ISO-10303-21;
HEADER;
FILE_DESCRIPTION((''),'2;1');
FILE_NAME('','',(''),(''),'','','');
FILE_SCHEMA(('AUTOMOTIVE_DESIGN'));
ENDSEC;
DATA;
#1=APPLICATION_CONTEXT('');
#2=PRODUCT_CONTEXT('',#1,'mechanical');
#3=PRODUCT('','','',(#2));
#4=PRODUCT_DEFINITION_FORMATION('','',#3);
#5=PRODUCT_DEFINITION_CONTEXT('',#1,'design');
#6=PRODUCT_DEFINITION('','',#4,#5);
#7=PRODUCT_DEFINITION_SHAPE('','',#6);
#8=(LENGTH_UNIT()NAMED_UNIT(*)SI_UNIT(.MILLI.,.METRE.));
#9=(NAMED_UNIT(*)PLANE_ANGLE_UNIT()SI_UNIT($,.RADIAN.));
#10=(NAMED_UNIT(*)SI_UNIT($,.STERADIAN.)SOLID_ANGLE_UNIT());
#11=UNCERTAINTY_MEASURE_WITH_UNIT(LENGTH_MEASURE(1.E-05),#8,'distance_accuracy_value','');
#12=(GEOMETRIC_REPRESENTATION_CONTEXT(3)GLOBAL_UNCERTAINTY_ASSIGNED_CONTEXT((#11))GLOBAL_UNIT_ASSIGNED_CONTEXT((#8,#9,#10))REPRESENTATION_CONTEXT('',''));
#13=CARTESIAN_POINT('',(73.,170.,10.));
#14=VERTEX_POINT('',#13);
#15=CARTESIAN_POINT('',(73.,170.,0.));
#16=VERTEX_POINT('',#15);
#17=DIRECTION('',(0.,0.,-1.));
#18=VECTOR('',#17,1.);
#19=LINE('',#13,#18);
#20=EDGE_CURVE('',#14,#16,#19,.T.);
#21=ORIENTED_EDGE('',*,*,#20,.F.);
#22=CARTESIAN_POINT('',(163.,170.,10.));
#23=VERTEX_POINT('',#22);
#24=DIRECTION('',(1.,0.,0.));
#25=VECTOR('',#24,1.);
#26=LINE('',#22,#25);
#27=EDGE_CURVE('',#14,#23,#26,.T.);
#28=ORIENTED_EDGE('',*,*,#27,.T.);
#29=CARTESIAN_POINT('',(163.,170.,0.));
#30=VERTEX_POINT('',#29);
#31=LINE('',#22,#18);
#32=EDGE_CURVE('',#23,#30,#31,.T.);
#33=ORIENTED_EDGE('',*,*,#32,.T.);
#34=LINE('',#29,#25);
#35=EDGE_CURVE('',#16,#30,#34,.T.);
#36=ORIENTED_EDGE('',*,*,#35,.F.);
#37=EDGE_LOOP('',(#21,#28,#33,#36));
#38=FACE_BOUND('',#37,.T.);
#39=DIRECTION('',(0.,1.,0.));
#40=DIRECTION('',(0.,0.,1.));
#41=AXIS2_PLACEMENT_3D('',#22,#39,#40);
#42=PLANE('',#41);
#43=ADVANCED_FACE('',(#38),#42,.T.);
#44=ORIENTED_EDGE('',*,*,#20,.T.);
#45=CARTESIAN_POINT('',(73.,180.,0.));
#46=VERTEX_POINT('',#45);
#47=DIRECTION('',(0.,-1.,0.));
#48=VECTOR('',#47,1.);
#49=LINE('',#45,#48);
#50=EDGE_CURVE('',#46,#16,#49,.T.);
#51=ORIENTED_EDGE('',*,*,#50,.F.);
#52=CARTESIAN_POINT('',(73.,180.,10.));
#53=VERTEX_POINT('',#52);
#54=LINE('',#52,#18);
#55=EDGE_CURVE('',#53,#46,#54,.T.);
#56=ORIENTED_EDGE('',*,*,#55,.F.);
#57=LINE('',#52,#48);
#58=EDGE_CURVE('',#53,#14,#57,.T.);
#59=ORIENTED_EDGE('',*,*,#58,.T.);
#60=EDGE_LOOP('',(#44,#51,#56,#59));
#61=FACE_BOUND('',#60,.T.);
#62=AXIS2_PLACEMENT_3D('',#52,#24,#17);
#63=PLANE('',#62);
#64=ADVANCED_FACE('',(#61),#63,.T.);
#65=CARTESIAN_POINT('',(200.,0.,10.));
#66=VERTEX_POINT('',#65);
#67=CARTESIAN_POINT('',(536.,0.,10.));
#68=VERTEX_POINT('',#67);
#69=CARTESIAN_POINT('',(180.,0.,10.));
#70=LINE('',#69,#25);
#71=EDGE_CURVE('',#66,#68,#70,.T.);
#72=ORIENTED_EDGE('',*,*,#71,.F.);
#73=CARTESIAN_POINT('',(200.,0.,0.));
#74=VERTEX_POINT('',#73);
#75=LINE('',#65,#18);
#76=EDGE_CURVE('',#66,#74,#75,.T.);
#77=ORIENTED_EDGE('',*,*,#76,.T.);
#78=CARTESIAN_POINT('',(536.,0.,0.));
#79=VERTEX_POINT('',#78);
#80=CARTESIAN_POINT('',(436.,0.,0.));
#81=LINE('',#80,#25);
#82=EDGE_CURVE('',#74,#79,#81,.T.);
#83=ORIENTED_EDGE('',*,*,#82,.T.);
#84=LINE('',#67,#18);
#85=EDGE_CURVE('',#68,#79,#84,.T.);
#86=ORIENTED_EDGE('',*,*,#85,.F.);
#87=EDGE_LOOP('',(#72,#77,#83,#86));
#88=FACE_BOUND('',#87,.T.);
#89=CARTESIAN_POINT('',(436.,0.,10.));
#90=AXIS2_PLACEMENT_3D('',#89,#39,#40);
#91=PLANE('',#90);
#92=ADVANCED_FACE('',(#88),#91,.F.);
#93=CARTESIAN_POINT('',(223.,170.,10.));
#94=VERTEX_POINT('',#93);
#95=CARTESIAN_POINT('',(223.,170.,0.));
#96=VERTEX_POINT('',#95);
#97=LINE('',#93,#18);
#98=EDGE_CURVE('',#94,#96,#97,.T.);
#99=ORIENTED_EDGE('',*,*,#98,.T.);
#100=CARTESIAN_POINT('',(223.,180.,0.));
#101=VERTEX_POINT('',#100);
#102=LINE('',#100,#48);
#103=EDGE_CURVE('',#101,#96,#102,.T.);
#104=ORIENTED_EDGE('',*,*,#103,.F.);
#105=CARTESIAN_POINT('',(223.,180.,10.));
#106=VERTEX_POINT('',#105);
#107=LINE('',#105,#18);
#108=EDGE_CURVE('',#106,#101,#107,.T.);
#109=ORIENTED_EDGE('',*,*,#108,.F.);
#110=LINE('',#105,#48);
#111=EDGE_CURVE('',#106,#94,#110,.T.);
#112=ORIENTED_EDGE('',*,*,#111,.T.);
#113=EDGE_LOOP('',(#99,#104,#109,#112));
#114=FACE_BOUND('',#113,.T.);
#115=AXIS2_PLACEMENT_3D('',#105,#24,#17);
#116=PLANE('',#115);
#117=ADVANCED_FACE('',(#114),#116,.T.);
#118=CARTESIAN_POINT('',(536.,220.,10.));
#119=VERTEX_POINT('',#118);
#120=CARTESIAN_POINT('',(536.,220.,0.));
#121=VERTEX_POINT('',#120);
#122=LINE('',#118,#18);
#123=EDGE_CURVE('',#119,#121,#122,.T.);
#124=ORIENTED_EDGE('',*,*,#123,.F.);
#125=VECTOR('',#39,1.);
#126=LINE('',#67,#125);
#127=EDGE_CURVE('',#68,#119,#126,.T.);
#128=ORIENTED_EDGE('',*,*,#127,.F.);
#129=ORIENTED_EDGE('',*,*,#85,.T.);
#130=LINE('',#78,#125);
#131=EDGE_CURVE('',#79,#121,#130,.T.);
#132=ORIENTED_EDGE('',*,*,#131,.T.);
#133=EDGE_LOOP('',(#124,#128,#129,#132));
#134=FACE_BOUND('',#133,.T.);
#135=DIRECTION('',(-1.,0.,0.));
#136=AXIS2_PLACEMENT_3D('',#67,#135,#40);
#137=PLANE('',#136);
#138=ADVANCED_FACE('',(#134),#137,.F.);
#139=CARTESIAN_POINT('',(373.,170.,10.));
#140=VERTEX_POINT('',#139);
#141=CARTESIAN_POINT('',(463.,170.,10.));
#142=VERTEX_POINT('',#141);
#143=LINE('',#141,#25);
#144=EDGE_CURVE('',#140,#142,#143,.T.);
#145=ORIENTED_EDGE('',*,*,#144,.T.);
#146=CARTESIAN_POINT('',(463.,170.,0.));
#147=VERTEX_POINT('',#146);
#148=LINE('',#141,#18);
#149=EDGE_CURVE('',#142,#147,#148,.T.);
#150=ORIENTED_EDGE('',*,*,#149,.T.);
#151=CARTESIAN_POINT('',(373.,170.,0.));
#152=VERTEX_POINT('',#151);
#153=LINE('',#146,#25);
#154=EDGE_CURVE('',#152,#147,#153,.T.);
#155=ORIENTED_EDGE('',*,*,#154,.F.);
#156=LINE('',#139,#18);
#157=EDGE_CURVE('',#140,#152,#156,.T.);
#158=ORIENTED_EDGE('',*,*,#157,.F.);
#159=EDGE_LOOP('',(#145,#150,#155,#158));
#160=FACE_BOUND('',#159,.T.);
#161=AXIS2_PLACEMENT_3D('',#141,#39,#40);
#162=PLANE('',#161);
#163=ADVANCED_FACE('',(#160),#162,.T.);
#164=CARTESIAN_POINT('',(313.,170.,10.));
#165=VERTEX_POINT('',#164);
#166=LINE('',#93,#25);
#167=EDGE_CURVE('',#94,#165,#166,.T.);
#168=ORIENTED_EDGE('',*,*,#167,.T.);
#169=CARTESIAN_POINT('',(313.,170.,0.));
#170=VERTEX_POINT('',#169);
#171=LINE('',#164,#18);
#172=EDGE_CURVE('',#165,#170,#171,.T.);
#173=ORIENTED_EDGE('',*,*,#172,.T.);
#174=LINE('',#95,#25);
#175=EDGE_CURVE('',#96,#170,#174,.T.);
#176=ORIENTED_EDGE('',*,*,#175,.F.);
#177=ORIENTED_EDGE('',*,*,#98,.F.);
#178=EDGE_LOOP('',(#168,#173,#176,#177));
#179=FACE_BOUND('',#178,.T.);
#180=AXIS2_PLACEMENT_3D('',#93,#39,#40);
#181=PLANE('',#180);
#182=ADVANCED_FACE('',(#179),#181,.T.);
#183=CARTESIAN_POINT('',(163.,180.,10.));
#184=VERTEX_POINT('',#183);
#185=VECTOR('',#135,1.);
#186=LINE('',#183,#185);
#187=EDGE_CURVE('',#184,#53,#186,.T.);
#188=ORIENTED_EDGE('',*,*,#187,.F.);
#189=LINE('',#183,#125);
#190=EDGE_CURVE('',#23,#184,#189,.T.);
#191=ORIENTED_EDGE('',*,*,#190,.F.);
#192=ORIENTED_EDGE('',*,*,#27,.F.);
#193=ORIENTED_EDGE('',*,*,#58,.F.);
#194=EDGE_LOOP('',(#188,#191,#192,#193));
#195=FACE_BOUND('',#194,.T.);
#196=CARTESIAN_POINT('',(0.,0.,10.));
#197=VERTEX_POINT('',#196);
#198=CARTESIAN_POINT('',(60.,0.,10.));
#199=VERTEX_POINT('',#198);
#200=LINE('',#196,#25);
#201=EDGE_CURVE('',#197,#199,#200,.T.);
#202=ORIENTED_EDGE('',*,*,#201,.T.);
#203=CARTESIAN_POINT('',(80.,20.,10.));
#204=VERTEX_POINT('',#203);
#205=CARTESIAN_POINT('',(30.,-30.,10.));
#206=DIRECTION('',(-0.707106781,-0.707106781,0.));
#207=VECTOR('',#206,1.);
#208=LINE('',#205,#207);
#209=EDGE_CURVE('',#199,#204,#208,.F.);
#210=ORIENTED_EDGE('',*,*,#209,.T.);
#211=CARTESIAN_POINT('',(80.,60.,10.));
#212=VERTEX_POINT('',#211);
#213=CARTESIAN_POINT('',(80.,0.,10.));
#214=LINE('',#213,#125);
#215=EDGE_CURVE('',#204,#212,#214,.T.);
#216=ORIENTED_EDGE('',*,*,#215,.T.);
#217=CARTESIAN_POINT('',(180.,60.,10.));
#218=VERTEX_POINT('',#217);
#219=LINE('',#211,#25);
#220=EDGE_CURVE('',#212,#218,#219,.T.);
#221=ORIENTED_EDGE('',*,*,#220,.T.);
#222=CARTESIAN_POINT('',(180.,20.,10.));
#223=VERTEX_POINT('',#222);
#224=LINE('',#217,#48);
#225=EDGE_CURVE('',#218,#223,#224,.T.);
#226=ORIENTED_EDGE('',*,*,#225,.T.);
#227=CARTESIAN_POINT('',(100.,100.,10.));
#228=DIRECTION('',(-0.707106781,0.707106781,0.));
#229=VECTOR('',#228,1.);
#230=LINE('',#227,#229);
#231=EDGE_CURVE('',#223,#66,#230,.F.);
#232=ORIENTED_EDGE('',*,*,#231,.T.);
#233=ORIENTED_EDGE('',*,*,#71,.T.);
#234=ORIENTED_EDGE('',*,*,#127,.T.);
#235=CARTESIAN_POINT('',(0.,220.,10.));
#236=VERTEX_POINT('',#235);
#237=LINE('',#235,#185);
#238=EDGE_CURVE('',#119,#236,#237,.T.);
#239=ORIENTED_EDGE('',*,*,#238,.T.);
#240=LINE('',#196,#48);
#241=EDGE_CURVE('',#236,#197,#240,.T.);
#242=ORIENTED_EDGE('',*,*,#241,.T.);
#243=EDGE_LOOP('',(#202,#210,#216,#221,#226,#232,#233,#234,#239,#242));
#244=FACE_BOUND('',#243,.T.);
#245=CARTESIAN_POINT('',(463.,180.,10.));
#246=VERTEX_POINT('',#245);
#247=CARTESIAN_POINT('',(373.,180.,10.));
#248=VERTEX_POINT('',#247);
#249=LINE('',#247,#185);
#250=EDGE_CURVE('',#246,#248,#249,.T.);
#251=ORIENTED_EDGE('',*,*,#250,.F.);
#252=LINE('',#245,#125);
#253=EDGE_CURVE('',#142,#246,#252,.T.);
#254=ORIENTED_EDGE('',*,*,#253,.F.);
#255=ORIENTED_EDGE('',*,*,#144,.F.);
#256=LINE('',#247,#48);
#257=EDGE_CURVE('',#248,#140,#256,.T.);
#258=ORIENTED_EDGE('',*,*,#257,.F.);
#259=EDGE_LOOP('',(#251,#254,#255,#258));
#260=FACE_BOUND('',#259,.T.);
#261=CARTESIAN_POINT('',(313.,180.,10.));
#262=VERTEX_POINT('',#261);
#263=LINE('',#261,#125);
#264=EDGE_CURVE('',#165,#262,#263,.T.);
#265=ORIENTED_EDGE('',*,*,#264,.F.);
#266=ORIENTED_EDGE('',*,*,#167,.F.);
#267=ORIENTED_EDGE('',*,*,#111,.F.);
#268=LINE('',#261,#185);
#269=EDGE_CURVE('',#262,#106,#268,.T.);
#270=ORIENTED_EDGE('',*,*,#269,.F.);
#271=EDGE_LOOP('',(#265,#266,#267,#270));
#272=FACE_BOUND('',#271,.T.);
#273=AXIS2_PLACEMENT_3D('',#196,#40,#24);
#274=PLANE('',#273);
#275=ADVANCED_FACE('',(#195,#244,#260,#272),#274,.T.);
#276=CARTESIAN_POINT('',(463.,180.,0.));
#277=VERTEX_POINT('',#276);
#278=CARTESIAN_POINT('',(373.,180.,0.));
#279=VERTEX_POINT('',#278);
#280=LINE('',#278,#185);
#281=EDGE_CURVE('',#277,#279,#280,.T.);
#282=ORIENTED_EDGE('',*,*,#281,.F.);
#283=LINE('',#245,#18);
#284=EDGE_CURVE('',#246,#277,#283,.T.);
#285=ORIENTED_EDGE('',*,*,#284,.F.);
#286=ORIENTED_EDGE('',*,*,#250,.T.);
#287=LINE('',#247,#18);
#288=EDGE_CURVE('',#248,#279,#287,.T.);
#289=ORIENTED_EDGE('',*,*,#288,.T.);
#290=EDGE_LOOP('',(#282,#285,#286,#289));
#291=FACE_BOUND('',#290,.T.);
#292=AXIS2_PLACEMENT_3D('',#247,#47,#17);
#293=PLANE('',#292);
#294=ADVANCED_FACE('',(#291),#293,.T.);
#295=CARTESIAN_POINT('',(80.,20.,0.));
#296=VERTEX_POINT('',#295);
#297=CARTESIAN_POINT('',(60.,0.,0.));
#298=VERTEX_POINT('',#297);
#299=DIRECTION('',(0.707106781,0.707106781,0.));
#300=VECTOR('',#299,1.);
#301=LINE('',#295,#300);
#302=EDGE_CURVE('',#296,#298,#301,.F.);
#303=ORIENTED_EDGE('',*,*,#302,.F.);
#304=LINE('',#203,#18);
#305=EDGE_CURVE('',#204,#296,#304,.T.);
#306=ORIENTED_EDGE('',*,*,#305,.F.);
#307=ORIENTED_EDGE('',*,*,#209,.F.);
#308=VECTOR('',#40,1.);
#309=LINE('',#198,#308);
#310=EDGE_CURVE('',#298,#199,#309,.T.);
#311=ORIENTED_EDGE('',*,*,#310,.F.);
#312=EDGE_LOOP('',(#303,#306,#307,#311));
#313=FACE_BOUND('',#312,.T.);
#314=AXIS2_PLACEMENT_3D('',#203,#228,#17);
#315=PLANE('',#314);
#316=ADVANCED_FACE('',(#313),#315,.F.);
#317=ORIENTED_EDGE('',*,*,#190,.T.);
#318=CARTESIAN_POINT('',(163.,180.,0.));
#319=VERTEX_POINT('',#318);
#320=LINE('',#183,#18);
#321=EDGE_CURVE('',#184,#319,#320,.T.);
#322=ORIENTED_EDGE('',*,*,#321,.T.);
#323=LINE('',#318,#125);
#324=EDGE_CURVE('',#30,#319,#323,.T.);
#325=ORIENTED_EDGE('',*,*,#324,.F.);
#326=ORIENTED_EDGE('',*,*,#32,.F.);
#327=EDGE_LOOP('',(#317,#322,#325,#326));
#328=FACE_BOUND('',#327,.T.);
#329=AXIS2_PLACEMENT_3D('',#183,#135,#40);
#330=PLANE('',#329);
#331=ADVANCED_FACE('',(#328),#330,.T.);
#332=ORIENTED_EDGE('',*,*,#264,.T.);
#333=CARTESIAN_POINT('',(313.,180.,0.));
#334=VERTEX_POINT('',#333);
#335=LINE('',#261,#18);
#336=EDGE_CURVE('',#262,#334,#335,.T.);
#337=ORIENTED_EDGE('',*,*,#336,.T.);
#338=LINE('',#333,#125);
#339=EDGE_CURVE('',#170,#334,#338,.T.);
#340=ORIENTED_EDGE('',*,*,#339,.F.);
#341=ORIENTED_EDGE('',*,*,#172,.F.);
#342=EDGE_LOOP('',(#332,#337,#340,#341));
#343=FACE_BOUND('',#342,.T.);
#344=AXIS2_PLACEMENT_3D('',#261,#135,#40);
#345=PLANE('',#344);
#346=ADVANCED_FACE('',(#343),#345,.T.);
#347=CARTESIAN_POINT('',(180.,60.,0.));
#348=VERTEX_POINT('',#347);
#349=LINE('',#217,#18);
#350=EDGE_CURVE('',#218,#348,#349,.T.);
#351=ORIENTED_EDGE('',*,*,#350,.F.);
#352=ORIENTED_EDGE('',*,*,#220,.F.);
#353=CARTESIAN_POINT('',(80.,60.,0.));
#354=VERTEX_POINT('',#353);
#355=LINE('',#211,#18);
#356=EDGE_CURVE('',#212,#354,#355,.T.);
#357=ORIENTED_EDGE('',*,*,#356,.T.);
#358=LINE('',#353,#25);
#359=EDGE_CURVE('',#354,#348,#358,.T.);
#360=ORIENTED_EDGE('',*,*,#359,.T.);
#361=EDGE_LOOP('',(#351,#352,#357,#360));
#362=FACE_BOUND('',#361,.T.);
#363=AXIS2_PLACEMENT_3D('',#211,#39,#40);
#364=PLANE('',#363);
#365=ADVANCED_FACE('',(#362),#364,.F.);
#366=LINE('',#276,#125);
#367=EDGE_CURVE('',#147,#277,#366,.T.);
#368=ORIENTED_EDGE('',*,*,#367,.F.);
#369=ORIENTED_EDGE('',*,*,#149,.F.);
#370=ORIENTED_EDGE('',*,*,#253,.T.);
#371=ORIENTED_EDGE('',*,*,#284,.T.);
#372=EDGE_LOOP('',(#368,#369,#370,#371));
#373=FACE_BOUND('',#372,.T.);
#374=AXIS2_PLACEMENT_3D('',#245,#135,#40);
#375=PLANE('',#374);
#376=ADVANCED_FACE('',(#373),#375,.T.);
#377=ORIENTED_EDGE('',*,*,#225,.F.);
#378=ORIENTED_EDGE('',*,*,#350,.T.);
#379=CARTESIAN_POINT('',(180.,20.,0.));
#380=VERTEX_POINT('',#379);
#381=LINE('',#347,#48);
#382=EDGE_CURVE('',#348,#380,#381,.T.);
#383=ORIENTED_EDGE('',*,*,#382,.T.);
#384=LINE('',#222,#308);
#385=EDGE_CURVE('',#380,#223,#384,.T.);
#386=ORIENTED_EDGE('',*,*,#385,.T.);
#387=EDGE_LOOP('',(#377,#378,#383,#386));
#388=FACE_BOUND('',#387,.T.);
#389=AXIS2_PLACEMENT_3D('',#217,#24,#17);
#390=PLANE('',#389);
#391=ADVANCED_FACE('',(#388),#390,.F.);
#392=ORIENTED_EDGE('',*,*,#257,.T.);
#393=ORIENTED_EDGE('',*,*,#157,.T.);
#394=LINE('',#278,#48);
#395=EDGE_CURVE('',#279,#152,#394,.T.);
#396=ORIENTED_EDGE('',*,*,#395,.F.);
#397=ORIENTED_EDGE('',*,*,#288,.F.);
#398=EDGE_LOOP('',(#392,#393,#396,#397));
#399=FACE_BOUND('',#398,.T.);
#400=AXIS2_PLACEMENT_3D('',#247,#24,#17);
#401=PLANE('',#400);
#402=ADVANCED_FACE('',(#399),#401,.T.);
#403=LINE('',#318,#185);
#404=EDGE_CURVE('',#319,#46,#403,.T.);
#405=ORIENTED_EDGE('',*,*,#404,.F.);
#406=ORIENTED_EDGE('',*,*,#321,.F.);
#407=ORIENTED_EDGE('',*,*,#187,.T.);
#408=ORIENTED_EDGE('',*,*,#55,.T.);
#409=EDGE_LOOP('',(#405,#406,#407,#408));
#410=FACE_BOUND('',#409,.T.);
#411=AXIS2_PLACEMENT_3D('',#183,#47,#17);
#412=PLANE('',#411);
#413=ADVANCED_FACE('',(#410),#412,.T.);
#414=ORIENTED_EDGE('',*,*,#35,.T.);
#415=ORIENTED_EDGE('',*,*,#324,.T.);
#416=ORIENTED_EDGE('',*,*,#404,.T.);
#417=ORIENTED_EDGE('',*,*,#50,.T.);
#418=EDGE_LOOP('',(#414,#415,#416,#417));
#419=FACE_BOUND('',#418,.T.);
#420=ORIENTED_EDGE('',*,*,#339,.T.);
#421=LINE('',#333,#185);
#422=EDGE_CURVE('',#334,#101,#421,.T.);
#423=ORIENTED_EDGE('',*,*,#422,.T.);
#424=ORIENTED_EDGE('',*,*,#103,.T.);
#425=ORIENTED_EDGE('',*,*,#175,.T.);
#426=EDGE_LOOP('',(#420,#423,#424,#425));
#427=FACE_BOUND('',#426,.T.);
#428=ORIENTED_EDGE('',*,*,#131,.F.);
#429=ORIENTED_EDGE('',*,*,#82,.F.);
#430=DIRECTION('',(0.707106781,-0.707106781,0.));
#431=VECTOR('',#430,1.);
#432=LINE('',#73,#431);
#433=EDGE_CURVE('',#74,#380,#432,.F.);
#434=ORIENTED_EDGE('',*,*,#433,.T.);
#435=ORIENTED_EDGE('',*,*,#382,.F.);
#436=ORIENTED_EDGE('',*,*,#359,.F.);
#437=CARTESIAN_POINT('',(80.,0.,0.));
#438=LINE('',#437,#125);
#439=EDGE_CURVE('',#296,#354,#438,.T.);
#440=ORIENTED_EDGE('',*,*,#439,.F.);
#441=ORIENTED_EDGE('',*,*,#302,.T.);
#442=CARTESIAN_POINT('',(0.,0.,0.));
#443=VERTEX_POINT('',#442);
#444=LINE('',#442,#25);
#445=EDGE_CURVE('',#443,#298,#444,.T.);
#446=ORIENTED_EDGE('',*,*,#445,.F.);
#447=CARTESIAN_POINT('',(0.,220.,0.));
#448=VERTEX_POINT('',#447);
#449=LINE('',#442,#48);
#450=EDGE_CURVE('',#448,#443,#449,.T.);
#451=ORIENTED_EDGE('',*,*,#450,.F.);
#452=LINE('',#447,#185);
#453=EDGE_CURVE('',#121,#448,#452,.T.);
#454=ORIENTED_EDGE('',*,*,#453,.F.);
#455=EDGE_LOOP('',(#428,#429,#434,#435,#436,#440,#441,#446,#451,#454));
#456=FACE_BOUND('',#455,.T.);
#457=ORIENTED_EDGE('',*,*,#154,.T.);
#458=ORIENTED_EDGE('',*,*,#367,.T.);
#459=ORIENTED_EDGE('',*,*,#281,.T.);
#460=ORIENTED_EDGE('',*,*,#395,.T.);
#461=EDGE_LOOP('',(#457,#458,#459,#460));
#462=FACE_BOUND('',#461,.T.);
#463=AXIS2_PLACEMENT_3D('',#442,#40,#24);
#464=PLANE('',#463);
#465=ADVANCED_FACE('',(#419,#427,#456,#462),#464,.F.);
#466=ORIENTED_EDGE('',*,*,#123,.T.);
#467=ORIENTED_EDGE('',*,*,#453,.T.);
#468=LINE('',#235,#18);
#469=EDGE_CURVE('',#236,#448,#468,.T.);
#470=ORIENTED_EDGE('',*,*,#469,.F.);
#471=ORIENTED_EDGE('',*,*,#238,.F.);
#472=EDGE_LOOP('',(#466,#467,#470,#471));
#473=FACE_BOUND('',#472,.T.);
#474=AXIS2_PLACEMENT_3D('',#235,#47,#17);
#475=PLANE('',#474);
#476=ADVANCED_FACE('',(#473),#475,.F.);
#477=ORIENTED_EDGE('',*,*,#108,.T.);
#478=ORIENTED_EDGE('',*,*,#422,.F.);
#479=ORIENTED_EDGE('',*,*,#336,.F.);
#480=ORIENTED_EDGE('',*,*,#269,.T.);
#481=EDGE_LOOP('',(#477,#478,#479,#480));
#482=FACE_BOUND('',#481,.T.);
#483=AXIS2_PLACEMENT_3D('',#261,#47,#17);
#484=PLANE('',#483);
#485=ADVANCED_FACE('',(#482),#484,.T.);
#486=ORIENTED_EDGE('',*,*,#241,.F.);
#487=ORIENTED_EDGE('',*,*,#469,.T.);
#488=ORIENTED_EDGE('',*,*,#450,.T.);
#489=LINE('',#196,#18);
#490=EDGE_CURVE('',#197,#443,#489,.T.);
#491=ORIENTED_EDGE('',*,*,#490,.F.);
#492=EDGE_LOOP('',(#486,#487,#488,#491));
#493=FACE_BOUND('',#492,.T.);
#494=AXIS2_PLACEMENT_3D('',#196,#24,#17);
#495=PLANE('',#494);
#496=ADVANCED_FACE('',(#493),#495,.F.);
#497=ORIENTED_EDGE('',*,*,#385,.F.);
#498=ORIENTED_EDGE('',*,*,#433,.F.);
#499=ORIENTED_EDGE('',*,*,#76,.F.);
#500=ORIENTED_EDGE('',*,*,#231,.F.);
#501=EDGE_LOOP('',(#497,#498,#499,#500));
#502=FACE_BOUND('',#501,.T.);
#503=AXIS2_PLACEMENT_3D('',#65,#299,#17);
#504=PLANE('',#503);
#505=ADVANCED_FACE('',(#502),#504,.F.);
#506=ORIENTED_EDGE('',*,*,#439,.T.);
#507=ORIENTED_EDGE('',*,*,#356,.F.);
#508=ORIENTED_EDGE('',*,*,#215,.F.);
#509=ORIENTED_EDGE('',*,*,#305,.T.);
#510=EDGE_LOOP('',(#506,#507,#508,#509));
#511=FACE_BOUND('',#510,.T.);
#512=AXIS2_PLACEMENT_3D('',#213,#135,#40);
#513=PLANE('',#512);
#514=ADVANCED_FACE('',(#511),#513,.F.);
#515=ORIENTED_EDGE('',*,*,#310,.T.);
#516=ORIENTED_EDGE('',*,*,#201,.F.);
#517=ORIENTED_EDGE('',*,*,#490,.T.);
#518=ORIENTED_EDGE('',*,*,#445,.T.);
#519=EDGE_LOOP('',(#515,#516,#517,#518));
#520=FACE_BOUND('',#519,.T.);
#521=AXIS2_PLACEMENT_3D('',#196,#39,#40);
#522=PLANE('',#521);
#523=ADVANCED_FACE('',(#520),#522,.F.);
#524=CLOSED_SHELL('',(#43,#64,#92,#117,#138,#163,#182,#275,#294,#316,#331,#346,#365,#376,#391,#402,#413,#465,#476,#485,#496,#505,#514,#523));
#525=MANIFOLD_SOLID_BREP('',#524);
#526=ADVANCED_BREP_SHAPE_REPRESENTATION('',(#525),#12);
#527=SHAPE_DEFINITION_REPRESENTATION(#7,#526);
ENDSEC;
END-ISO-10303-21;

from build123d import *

# Parameters (mm, degrees)
ESQUISSE1_W        = 90
ESQUISSE1_H        = 10
BOSS_EXTRU_1_DEPTH = 10
CHANFREIN1_SIZE    = 20


with BuildPart() as part:
    # Esquisse1 → Boss.-Extru.1 (new body)
    with BuildSketch(Plane.XY):
        Polygon((0, 220), (536, 220), (536, 0), (436, 0), (200, 0), (180, 0), (180, 60), (80, 60), (80, 0), (0, 0), align=None)
        with Locations((118, 175)):
            Rectangle(ESQUISSE1_W, ESQUISSE1_H, mode=Mode.SUBTRACT)
        with Locations((268, 175)):
            Rectangle(ESQUISSE1_W, ESQUISSE1_H, mode=Mode.SUBTRACT)
        with Locations((418, 175)):
            Rectangle(ESQUISSE1_W, ESQUISSE1_H, mode=Mode.SUBTRACT)
    extrude(amount=BOSS_EXTRU_1_DEPTH)

    # Chanfrein1
    chanfrein1_edges = [part.edges().sort_by_distance(p)[0] for p in [
        (180, 0, 5),
        (80, 0, 5),
    ]]
    chamfer(chanfrein1_edges, length=CHANFREIN1_SIZE)


solid = part.part
